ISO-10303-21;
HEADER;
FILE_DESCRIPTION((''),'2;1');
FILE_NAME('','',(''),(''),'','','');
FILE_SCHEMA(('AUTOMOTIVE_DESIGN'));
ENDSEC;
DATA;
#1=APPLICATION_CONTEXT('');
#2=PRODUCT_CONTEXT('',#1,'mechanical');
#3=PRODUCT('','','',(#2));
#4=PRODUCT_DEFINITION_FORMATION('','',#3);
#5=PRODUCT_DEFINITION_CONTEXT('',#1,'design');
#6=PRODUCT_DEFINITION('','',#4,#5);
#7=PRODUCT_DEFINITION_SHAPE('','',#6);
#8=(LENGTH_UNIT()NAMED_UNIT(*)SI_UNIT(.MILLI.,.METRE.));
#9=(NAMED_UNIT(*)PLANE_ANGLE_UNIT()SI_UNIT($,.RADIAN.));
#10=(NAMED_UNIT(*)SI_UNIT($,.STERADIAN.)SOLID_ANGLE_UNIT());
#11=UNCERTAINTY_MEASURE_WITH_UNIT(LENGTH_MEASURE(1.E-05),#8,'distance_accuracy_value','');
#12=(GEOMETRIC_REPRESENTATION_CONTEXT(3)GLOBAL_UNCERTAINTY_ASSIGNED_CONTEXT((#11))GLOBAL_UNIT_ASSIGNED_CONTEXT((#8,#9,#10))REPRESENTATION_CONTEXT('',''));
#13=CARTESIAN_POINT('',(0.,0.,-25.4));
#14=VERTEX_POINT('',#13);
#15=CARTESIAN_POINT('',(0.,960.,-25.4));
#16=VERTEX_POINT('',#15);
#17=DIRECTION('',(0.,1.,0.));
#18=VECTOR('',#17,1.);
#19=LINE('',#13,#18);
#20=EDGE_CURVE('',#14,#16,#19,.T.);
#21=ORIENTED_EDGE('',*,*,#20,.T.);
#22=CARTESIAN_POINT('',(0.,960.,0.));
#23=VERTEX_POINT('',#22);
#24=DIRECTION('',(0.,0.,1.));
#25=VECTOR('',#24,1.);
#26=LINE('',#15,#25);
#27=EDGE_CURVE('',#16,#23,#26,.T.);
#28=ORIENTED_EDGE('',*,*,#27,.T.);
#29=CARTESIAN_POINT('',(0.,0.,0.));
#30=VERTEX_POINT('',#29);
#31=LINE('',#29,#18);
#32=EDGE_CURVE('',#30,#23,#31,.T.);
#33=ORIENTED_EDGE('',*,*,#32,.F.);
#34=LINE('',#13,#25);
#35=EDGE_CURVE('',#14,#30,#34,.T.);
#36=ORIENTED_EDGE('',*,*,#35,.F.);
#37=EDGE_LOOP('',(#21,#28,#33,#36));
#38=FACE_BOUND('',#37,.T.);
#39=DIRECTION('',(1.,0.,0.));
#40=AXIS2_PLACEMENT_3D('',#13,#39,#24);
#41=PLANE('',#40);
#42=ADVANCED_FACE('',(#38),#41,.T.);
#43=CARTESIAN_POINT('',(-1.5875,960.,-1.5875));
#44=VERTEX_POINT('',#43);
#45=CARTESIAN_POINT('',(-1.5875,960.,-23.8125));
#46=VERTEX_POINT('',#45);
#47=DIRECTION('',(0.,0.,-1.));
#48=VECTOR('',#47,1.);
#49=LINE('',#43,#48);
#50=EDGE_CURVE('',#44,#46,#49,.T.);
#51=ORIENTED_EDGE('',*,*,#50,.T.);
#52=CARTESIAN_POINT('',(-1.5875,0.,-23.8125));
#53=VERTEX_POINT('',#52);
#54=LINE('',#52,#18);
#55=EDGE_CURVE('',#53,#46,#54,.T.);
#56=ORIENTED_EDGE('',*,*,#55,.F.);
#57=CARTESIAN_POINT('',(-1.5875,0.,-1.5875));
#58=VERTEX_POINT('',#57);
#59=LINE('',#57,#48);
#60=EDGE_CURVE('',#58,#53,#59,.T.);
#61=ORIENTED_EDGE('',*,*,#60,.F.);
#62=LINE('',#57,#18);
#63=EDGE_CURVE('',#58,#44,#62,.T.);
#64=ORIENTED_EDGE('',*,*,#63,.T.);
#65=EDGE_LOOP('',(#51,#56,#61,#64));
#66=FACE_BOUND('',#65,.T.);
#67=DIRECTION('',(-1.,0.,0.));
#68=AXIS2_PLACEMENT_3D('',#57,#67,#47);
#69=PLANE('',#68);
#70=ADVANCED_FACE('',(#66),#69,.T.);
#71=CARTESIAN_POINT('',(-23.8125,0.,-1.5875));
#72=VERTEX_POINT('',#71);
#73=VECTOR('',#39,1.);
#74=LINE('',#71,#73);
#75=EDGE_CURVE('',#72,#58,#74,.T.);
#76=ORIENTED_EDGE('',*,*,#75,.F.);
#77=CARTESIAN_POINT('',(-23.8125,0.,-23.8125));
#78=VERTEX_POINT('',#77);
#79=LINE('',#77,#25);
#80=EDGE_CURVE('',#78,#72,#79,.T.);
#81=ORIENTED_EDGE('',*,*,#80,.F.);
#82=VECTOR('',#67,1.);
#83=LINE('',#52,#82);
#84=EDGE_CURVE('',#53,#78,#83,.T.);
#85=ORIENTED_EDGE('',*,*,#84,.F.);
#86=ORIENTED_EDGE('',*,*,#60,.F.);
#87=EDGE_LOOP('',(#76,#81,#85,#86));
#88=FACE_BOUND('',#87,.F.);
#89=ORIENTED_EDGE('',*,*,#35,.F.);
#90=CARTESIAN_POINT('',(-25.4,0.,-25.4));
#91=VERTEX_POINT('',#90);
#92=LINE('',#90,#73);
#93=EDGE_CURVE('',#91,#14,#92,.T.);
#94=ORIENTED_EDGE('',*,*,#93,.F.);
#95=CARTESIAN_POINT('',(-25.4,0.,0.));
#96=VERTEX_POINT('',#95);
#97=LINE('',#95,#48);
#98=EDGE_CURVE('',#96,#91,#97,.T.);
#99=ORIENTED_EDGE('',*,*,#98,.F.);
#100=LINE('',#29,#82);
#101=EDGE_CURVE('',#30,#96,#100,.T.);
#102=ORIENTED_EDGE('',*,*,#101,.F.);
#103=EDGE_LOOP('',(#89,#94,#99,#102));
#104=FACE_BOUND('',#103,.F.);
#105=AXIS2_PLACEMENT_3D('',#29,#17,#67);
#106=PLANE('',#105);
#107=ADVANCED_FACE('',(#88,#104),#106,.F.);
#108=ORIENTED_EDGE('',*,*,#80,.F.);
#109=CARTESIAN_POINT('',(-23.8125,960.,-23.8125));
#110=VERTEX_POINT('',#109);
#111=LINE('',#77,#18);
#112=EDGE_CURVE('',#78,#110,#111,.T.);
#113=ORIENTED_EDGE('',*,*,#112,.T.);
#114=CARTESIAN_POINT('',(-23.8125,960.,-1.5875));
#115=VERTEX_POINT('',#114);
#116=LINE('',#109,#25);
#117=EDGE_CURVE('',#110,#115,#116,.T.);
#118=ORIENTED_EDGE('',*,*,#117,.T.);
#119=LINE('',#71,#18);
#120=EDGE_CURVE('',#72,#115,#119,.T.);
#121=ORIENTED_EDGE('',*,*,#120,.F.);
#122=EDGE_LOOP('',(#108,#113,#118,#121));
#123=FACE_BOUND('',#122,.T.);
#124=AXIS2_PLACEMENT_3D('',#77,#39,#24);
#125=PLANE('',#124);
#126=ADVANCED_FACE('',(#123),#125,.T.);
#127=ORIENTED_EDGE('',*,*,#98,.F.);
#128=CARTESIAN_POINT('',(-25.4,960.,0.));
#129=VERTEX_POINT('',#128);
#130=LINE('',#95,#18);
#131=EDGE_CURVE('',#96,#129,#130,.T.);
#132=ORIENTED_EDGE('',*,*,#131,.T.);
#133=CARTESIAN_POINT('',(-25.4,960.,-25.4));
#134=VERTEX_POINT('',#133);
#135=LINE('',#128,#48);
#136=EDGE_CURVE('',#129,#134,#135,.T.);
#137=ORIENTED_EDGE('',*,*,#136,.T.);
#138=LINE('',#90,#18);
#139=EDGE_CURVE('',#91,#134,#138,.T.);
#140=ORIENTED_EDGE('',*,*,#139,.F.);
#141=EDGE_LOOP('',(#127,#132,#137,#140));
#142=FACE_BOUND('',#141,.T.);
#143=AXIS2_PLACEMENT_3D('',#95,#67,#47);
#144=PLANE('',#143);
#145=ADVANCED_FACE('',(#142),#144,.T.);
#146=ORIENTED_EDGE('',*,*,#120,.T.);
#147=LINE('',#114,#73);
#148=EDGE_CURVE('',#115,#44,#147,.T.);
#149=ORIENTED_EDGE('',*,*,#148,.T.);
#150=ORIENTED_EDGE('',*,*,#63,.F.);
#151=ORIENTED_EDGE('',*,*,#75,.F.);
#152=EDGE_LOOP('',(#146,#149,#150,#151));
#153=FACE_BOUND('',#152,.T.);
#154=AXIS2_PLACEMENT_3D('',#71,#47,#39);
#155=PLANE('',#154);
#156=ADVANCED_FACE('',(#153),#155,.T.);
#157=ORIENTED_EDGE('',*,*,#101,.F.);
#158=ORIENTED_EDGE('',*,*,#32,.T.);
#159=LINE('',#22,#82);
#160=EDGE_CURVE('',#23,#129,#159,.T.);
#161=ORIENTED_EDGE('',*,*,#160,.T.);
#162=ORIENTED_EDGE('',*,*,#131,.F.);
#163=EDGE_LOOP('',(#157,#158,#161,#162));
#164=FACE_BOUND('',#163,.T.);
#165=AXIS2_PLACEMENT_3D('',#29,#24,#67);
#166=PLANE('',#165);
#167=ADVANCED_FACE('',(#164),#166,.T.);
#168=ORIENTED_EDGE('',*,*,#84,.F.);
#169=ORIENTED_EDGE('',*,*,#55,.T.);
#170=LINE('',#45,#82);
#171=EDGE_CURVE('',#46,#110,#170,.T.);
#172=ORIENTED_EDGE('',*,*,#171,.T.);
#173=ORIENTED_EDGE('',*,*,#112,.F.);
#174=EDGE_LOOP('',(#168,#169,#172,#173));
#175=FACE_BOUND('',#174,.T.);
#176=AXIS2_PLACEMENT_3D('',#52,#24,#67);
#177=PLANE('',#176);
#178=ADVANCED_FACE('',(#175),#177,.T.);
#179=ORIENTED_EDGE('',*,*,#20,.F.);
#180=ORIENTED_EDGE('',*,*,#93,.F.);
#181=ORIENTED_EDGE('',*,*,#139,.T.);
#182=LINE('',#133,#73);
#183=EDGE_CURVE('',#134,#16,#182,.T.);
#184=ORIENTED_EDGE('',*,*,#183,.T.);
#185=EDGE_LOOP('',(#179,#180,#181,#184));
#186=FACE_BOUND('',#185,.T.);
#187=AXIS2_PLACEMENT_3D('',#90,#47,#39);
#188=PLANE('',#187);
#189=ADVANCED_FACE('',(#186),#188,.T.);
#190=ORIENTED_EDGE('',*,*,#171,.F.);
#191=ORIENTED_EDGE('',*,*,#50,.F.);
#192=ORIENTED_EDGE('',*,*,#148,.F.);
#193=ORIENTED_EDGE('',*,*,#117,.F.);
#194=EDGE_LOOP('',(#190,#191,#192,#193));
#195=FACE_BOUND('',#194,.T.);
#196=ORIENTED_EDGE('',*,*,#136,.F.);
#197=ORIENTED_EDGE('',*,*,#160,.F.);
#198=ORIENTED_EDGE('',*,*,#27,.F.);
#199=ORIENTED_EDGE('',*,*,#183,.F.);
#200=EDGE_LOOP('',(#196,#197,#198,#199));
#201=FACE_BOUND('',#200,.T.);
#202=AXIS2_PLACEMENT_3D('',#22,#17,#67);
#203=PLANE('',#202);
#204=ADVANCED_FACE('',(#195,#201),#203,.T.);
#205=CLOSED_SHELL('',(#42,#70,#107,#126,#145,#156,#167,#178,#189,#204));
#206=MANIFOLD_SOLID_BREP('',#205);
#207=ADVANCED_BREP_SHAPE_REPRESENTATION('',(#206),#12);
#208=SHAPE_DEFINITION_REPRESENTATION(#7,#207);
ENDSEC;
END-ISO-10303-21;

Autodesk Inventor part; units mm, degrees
ref_plane "YZ Plane" through (0, 0, 0) normal (1, 0, 0) x (0, 1, 0)
ref_plane "XZ Plane" through (0, 0, 0) normal (0, 1, 0) x (-1, 0, 0)
ref_plane "XY Plane" through (0, 0, 0) normal (0, 0, 1) x (1, 0, 0)
sketch "Sketch1" plane through (0, 0, 0) normal (0, 1, 0) x (-1, 0, 0)
  line L0 (0, 0) -> (25.4, 0)
  line L1 (25.4, 0) -> (25.4, -25.4)
  line L2 (25.4, -25.4) -> (0, -25.4)
  line L3 (0, -25.4) -> (0, 0)
  line L4 (23.8125, -1.5875) -> (1.5875, -1.5875)
  line L5 (1.5875, -1.5875) -> (1.5875, -23.8125)
  line L6 (1.5875, -23.8125) -> (23.8125, -23.8125)
  line L7 (23.8125, -23.8125) -> (23.8125, -1.5875)
  dimension "d0" = 25.4
  dimension "d1" = 1.5875
  dimension "d2" = 1.5875
  dimension "d3" = 1.5875
extrude "Extrusion1" add sketch "Sketch1" along normal blind 960
properties part number "Steel_Tube"
